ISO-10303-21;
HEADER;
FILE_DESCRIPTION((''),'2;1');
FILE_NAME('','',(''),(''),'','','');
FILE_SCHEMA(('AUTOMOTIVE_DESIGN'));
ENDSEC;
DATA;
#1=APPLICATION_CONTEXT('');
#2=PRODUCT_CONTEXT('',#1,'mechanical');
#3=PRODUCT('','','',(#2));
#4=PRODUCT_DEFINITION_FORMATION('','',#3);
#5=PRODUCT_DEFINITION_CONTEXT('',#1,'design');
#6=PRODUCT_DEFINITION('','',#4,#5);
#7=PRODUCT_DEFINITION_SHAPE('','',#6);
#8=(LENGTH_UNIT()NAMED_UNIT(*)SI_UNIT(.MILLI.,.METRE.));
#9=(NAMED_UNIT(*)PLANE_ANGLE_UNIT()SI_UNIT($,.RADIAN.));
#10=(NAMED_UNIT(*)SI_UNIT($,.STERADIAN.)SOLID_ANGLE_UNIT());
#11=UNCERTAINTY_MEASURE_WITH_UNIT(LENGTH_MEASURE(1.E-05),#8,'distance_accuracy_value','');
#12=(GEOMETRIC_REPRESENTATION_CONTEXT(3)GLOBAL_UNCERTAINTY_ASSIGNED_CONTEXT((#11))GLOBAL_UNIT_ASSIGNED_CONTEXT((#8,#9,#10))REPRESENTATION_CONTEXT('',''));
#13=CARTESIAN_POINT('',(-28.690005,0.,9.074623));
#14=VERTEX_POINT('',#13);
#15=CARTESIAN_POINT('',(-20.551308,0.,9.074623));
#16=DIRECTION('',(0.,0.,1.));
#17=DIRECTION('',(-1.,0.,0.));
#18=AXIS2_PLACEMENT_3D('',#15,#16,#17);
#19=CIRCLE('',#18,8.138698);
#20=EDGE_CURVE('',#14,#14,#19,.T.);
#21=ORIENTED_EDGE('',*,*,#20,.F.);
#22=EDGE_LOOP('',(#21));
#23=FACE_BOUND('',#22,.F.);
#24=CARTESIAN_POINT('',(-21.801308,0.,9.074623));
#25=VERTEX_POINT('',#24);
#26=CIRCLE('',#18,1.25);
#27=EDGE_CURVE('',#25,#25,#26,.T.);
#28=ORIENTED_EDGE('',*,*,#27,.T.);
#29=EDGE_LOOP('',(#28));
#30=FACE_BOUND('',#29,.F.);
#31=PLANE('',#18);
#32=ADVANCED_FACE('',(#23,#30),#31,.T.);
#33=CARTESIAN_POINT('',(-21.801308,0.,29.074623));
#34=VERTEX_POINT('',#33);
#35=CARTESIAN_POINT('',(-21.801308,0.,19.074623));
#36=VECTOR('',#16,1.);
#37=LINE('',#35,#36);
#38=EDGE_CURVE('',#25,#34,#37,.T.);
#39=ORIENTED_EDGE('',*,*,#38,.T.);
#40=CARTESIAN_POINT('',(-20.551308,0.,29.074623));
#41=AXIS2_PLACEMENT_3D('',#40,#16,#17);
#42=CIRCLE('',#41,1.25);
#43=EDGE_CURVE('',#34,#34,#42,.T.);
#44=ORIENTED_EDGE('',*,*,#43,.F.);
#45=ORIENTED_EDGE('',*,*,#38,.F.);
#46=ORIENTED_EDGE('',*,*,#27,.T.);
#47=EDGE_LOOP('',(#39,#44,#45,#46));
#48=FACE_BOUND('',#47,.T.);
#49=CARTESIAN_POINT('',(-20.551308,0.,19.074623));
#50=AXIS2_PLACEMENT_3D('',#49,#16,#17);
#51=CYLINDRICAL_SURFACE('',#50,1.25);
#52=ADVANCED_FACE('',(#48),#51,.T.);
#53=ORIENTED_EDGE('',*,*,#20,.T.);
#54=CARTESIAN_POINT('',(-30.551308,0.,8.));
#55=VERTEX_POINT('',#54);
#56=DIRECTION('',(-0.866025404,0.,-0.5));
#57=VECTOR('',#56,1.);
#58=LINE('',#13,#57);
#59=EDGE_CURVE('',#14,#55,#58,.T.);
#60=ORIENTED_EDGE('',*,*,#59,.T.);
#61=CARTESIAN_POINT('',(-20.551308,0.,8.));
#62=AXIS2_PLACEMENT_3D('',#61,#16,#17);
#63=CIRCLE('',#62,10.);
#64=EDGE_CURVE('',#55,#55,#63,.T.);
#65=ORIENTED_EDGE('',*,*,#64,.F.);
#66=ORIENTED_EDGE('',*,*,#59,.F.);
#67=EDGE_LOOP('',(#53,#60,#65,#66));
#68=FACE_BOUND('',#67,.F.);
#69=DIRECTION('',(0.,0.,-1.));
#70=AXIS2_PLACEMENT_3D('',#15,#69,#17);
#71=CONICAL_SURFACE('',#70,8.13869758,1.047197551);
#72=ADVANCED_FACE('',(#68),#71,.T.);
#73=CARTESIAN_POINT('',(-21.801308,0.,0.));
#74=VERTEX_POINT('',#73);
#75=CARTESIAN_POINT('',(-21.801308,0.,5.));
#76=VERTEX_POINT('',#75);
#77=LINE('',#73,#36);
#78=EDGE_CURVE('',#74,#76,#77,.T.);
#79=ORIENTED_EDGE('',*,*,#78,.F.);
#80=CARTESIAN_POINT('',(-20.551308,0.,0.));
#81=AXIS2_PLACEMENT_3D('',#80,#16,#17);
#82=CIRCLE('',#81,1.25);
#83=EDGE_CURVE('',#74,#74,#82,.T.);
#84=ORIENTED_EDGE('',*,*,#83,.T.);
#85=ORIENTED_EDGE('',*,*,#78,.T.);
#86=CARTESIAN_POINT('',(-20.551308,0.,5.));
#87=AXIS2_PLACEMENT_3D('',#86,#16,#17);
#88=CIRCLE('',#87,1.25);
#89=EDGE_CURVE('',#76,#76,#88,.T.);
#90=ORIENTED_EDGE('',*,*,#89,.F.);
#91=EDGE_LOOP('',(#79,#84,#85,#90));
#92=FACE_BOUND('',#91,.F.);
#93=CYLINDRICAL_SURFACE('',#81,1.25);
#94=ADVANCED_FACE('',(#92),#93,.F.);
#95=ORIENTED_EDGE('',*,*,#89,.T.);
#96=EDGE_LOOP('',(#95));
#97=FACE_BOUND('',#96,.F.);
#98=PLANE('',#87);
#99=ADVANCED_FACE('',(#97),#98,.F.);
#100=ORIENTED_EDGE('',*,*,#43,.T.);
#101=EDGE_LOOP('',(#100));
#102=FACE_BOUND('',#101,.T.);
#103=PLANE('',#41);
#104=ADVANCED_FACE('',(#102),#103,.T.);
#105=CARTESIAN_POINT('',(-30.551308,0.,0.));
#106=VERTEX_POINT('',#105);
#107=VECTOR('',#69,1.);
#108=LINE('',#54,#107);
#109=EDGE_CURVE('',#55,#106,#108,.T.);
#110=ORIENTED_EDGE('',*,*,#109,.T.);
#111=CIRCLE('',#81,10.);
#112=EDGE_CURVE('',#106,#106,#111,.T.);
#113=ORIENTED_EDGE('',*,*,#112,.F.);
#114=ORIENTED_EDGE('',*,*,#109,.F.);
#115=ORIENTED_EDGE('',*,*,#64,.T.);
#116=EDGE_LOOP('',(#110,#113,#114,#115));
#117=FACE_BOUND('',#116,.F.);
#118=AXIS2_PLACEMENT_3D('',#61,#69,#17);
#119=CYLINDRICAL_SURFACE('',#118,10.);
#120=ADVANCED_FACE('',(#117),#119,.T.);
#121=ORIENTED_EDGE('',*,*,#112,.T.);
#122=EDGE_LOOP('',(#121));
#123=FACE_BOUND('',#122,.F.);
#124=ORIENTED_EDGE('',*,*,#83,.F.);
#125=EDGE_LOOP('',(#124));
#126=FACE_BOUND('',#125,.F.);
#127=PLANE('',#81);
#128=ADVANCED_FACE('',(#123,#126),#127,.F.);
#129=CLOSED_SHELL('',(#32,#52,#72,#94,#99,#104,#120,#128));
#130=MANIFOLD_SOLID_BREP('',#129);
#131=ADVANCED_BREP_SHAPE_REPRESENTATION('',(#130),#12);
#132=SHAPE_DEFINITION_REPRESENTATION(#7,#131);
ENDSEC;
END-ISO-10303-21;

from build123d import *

# Parameters (mm, degrees)
F0_W   = 1.25
F0_H   = 20
F0_H_2 = 3
F0_H_3 = 1.0746234533


with BuildPart() as f1:
    # F0 (on Front) → F1 (revolve)
    with BuildSketch(Plane.XZ):
        with Locations((-21.1763077103, 19.0746234533)):
            Rectangle(F0_W, F0_H)
        Polygon((-21.8013077103, 8), (-30.5513077103, 8), (-30.5513077103, 0), (-21.8013077103, 0), (-21.8013077103, 5), align=None)
        Polygon((-28.6900052902, 9.0746234533), (-30.5513077103, 8), (-21.8013077103, 8), (-21.8013077103, 9.0746234533), align=None)
        with Locations((-21.1763077103, 6.5)):
            Rectangle(F0_W, F0_H_2)
        with Locations((-21.1763077103, 8.5373117267)):
            Rectangle(F0_W, F0_H_3)
    revolve(axis=Axis((-20.5513077103, 0, 19.0746234533), (0, 0, 1)))


solid = f1.part
